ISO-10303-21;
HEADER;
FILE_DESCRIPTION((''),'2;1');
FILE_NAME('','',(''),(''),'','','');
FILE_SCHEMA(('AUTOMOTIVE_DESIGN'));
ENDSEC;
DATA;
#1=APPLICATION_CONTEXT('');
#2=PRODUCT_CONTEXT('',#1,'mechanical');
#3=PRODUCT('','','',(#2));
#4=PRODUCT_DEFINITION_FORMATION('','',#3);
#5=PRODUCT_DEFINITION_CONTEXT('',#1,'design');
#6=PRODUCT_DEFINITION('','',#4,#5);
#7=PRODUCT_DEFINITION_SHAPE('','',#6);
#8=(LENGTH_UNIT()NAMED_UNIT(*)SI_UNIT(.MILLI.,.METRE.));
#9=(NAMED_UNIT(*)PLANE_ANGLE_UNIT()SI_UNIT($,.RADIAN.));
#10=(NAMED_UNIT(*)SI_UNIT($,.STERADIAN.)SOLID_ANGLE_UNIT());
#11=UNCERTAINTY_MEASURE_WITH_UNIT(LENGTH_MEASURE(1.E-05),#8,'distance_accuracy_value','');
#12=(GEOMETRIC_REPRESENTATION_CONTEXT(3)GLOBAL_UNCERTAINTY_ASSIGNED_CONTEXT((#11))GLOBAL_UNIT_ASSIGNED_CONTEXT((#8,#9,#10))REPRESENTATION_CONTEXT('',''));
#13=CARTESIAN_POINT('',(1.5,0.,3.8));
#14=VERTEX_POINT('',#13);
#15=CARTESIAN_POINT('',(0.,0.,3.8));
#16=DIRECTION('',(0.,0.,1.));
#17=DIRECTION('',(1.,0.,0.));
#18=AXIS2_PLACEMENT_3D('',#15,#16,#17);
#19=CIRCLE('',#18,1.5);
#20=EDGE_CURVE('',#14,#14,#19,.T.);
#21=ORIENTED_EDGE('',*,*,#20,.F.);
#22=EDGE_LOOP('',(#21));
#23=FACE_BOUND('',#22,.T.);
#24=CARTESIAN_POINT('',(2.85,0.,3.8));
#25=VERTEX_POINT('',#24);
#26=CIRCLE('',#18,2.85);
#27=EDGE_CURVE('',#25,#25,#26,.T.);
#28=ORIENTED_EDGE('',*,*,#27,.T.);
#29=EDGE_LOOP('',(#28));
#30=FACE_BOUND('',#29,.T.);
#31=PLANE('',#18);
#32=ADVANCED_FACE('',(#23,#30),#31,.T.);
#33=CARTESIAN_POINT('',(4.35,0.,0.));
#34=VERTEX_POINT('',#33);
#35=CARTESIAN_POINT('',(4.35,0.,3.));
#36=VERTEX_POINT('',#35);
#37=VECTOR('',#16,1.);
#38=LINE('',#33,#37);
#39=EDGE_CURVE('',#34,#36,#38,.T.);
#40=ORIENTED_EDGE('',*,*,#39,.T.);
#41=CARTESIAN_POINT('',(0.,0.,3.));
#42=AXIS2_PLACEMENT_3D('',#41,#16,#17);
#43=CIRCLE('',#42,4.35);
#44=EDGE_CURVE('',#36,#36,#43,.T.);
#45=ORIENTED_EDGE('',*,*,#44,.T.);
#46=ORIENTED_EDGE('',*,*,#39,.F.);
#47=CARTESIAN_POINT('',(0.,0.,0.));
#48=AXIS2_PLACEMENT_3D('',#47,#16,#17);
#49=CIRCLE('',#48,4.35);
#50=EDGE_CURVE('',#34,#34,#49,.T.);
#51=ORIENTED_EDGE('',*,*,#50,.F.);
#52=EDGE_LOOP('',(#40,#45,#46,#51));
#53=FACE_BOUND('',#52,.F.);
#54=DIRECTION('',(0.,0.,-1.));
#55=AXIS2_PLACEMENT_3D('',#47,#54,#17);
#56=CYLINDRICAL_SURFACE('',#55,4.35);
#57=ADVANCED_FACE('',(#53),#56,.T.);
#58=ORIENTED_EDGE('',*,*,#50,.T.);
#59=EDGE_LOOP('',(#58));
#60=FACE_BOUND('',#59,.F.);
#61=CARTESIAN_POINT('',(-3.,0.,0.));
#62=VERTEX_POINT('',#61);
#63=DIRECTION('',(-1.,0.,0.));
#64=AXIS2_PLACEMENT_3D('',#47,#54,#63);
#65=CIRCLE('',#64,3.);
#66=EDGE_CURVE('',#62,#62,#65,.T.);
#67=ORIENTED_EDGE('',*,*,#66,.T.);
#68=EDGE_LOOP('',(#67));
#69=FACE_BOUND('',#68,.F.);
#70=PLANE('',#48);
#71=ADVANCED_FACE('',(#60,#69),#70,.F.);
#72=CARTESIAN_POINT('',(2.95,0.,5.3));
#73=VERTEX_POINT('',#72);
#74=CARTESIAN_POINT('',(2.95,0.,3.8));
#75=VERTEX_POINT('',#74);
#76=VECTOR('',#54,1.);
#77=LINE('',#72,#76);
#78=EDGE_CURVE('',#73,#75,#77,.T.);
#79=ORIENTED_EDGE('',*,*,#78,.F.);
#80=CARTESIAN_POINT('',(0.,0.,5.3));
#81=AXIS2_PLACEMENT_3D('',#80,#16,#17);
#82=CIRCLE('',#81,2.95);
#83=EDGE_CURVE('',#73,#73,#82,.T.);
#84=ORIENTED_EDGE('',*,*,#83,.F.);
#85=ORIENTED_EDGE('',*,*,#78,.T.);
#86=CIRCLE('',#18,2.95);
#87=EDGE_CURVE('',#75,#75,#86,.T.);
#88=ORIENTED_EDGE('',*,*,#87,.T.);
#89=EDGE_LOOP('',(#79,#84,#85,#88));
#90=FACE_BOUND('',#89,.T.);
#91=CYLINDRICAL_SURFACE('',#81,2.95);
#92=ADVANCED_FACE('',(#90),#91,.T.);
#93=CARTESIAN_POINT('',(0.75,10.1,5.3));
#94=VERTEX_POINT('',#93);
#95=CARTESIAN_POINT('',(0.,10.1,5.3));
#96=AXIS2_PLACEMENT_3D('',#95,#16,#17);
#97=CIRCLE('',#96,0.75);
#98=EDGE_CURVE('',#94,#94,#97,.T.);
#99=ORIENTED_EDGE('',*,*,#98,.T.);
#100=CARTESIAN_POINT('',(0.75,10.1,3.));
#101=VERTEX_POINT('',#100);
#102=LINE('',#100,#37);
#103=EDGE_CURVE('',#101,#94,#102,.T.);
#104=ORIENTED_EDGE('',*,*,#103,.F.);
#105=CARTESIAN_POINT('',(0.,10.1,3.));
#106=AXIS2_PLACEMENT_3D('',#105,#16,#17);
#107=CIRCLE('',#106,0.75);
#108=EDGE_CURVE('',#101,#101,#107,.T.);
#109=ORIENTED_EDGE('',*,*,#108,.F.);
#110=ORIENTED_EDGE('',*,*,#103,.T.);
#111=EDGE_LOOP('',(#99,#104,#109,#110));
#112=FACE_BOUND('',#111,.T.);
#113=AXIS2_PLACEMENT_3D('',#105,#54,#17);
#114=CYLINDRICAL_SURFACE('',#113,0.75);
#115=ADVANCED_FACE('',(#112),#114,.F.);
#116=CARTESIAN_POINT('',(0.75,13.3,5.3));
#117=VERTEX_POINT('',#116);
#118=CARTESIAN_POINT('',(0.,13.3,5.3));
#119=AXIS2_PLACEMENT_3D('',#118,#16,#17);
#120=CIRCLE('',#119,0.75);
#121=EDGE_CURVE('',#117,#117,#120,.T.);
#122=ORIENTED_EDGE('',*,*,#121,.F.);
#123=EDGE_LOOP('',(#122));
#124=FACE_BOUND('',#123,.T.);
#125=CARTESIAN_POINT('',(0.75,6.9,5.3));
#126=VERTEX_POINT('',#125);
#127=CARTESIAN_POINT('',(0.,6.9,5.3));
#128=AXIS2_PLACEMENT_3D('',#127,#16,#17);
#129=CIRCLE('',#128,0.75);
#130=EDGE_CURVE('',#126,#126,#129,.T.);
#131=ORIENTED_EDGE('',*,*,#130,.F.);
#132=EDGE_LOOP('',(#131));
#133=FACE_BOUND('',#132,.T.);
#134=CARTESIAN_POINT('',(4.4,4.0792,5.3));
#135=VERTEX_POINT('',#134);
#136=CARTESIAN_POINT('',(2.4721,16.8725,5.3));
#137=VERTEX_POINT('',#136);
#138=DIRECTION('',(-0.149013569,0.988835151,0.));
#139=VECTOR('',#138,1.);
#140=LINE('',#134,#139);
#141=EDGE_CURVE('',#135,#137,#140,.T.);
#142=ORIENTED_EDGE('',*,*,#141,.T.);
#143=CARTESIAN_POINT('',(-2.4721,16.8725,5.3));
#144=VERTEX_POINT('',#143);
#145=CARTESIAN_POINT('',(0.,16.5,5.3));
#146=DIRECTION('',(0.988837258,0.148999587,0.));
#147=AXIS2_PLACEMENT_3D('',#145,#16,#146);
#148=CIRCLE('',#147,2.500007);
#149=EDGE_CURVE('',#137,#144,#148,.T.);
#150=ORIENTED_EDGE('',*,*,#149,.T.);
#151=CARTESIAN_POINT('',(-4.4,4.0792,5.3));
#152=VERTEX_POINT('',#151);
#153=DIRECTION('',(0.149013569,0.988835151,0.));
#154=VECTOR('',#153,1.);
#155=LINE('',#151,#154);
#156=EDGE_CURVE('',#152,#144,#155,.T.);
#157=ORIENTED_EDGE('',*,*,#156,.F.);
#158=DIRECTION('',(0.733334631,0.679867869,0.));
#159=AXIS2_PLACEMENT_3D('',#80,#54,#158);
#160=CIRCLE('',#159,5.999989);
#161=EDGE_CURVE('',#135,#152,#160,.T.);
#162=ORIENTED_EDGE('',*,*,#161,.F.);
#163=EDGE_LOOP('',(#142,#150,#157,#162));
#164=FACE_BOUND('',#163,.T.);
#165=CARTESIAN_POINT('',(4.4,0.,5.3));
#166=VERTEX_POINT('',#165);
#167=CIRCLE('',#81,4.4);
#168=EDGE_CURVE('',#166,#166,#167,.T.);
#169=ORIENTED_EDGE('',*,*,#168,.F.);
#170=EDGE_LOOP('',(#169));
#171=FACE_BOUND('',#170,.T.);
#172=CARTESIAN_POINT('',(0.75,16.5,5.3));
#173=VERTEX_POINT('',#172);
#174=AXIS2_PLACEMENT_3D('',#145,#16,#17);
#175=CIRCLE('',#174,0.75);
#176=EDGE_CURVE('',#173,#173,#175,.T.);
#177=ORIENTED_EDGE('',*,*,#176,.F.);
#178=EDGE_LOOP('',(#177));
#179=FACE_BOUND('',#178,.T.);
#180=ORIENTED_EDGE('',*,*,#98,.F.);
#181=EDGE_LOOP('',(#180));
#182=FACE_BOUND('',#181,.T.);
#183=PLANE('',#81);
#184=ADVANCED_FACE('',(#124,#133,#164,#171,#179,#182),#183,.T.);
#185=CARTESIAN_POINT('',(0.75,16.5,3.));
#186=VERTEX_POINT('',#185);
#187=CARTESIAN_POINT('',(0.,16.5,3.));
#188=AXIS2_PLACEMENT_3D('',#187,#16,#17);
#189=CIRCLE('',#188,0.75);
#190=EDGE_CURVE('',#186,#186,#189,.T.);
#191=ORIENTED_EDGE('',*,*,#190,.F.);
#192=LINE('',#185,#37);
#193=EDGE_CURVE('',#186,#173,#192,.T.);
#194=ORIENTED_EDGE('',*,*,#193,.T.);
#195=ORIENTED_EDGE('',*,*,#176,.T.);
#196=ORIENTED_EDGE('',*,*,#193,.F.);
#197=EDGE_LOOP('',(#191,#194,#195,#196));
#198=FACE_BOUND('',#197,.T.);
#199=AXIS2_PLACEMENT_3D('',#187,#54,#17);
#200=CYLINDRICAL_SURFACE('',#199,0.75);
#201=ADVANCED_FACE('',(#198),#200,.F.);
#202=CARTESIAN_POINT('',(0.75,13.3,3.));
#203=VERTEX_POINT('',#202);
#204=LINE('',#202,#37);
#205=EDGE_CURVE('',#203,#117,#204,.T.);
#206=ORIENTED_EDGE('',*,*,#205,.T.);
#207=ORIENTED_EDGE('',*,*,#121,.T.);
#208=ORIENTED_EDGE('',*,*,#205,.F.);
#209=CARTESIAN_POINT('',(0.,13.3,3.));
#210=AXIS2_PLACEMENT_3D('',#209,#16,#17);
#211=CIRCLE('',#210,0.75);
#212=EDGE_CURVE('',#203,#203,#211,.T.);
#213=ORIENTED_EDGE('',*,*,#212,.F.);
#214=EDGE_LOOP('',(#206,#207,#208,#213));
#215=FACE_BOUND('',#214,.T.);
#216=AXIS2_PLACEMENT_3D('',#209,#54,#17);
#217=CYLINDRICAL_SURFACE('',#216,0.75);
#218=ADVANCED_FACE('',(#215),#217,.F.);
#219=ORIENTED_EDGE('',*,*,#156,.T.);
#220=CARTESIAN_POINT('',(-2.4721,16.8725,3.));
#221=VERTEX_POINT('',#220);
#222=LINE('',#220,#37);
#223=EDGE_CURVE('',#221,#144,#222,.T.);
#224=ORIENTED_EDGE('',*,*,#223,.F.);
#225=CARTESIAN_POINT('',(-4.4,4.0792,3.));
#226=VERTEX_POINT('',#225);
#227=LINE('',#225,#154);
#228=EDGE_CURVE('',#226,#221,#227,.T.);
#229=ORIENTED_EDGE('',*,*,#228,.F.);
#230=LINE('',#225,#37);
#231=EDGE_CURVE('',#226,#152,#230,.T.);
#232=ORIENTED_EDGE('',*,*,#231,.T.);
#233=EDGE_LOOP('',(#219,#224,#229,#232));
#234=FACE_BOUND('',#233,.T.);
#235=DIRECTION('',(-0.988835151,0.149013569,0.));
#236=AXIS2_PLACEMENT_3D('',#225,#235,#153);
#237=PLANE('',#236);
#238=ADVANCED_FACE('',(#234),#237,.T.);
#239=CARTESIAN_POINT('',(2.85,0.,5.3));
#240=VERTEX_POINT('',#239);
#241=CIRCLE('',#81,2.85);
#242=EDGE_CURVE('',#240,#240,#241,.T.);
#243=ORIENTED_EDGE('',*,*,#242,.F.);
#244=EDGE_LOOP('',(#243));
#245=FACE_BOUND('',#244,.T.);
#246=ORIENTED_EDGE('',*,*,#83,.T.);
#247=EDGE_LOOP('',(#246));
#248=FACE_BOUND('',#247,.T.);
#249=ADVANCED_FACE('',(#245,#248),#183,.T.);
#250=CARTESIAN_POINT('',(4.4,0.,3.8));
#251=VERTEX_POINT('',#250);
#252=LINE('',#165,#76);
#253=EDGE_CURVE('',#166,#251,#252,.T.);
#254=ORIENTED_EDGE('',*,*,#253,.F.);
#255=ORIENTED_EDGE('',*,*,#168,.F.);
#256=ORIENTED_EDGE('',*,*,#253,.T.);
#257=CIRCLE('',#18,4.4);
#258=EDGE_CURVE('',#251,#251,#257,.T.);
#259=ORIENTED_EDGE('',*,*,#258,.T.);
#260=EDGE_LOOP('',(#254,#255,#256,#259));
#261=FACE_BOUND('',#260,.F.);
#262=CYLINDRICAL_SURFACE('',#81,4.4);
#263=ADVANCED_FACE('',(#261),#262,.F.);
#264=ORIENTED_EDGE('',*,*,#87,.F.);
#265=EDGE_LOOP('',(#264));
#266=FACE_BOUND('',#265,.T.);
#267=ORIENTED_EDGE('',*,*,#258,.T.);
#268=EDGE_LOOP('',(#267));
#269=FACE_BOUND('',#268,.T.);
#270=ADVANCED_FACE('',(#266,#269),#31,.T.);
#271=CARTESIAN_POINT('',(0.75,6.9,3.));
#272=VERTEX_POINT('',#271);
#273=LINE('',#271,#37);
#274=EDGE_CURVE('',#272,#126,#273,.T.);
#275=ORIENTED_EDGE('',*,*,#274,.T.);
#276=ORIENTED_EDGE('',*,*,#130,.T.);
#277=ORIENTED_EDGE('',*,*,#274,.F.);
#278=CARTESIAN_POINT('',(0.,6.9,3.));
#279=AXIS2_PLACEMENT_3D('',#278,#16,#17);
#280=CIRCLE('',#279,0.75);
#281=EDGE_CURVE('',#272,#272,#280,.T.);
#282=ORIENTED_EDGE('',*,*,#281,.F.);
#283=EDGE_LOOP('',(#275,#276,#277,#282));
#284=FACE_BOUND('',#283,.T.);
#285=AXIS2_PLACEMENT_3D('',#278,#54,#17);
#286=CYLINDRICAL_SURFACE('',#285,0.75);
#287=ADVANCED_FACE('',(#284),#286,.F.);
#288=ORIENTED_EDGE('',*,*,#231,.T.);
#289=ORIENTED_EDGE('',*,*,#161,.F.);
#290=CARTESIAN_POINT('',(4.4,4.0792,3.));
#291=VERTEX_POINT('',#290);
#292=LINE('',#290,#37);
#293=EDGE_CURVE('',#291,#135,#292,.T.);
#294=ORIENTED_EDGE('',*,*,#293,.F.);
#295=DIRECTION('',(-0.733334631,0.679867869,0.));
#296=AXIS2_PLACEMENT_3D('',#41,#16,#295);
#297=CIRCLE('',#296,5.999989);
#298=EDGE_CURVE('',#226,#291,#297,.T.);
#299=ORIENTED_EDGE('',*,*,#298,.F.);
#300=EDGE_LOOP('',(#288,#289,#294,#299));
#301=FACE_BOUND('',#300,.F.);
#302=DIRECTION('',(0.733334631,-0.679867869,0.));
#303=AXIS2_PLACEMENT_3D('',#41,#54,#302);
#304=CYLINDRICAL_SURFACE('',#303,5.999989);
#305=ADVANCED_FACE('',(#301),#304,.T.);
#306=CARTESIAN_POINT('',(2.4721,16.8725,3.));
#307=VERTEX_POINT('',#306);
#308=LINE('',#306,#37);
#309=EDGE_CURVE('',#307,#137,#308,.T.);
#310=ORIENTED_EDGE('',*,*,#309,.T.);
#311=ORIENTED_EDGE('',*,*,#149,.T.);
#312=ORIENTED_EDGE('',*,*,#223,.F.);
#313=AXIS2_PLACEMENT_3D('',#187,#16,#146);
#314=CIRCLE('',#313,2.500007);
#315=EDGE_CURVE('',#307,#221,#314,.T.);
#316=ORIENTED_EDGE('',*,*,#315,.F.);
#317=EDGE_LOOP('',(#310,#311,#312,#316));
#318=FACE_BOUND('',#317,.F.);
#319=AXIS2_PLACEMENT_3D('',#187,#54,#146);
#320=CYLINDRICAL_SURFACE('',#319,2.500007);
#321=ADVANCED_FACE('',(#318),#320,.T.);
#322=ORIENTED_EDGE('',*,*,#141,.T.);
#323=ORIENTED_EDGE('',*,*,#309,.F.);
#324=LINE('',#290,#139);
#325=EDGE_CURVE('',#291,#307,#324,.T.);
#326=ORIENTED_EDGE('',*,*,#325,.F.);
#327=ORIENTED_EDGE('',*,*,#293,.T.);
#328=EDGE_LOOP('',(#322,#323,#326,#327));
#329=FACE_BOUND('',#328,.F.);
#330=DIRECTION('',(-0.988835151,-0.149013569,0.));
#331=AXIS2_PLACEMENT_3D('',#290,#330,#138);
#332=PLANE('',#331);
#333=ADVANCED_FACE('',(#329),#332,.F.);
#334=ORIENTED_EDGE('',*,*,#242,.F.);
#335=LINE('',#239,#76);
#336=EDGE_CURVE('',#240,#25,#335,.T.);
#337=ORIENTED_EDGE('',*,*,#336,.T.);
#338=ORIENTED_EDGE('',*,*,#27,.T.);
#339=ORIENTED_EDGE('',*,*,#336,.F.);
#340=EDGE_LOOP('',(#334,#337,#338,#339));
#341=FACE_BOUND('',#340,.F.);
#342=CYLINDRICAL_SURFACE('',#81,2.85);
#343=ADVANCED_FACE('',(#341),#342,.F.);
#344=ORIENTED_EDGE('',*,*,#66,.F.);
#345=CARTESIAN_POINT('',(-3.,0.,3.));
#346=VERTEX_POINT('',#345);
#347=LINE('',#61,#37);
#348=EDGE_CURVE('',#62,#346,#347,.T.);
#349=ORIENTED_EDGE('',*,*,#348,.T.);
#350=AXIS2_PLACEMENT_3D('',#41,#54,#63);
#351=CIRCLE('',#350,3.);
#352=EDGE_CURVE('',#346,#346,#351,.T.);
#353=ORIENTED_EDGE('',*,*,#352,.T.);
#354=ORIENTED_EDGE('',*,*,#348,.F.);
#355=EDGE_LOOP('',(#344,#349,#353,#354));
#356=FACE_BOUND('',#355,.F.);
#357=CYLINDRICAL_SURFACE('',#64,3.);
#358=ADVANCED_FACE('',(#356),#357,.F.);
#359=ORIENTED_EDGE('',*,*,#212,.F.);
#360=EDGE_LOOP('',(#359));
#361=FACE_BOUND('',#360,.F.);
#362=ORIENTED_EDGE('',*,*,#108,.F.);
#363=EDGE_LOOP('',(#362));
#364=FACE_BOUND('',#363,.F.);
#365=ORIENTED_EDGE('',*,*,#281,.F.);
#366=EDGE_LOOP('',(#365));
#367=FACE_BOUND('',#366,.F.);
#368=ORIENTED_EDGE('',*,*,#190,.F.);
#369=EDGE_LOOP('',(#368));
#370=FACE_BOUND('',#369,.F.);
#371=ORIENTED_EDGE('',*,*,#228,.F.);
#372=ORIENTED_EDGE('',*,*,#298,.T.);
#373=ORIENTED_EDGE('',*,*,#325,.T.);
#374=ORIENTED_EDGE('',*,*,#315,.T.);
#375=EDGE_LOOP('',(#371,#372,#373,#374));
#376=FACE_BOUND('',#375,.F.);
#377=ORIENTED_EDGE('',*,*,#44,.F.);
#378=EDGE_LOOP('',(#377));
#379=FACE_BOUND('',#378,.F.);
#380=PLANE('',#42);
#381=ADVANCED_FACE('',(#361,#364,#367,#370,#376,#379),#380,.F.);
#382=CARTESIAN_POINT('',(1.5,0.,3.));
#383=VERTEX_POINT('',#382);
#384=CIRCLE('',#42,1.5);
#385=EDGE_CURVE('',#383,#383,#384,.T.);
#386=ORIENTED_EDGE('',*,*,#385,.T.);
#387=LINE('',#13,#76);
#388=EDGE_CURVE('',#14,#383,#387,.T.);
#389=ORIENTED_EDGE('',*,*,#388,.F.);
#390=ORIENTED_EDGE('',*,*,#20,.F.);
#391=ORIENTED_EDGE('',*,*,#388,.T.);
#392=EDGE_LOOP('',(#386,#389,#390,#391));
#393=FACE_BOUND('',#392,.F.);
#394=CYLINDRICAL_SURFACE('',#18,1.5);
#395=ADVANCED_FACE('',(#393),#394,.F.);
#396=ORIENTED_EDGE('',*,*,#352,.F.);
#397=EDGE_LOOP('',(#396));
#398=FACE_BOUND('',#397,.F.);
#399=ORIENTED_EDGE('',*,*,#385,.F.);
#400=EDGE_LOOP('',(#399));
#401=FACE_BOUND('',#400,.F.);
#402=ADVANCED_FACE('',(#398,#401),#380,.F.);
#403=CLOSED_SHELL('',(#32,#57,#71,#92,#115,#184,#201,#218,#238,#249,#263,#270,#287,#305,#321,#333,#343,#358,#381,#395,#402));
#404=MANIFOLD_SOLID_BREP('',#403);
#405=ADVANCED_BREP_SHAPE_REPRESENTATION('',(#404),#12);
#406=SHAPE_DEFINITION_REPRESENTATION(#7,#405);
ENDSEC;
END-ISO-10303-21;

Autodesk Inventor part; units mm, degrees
ref_plane "YZ Plane" through (0, 0, 0) normal (1, 0, 0) x (0, 1, 0)
ref_plane "XZ Plane" through (0, 0, 0) normal (0, 1, 0) x (-1, 0, 0)
ref_plane "XY Plane" through (0, 0, 0) normal (0, 0, 1) x (1, 0, 0)
sketch "Sketch1" plane through (0, 0, 0) normal (0, 0, 1) x (1, 0, 0)
  circle A0 centre (0, 0) radius 4.35
  dimension "d0" = 8.7
extrude "Extrusion1" add sketch "Sketch1" along normal blind 3
sketch "Sketch2" plane through (0, 0, 0) normal (0, 0, -1) x (-1, 0, 0)
  circle A0 centre (0, 0) radius 3
  dimension "d3" = 6
extrude "Extrusion2" cut sketch "Sketch2" against normal up to next
sketch "Sketch3" plane through (0, 0, 3) normal (0, 0, 1) x (1, 0, 0)
  arc A0 (2.4721, 16.8725) -> (-2.4721, 16.8725) centre (0, 16.5) ccw
  line L0 (-4.4, 4.0792) -> (-2.4721, 16.8725)
  line L1 (4.4, 4.0792) -> (2.4721, 16.8725)
  circle A1 centre (0, 16.5) radius 0.75
  circle A2 centre (0, 13.3) radius 0.75
  circle A3 centre (0, 10.1) radius 0.75
  circle A4 centre (0, 6.9) radius 0.75
  arc A5 (-4.4, 4.0792) -> (-4.4, -4.0792) centre (0, 0) ccw
  arc A6 (4.4, -4.0792) -> (4.4, 4.0792) centre (0, 0) ccw
  arc A7 (-4.4, -4.0792) -> (4.4, -4.0792) centre (0, 0) ccw
  line L2 (0, 6.9) -> (0, 4.35) construction
  circle A8 centre (0, 0) radius 4.35 construction
  dimension "d8" = 8.8
  dimension "d10" = 1.5
  dimension "d13" = 1.5
  dimension "d14" = 1.5
  dimension "d15" = 1.5
extrude "Extrusion3" add sketch "Sketch3" along normal blind 2.3
sketch "Sketch4" plane through (0, 0, 5.3) normal (0, 0, 1) x (1, 0, 0)
  circle A0 centre (0, 0) radius 2.85
  circle A1 centre (0, 0) radius 4.4
  circle A2 centre (0, 0) radius 2.95
  dimension "d22" = 5.7
  dimension "d23" = 8.8
  dimension "d24" = 5.9
extrude "Extrusion4" cut sketch "Sketch4" against normal blind 1.5
sketch "Sketch5" plane through (0, 0, 3.8) normal (0, 0, 1) x (1, 0, 0)
  circle A0 centre (0, 0) radius 1.5
  dimension "d27" = 3
extrude "Extrusion5" cut sketch "Sketch5" against normal up to next
properties part number "Servomotor-1"
